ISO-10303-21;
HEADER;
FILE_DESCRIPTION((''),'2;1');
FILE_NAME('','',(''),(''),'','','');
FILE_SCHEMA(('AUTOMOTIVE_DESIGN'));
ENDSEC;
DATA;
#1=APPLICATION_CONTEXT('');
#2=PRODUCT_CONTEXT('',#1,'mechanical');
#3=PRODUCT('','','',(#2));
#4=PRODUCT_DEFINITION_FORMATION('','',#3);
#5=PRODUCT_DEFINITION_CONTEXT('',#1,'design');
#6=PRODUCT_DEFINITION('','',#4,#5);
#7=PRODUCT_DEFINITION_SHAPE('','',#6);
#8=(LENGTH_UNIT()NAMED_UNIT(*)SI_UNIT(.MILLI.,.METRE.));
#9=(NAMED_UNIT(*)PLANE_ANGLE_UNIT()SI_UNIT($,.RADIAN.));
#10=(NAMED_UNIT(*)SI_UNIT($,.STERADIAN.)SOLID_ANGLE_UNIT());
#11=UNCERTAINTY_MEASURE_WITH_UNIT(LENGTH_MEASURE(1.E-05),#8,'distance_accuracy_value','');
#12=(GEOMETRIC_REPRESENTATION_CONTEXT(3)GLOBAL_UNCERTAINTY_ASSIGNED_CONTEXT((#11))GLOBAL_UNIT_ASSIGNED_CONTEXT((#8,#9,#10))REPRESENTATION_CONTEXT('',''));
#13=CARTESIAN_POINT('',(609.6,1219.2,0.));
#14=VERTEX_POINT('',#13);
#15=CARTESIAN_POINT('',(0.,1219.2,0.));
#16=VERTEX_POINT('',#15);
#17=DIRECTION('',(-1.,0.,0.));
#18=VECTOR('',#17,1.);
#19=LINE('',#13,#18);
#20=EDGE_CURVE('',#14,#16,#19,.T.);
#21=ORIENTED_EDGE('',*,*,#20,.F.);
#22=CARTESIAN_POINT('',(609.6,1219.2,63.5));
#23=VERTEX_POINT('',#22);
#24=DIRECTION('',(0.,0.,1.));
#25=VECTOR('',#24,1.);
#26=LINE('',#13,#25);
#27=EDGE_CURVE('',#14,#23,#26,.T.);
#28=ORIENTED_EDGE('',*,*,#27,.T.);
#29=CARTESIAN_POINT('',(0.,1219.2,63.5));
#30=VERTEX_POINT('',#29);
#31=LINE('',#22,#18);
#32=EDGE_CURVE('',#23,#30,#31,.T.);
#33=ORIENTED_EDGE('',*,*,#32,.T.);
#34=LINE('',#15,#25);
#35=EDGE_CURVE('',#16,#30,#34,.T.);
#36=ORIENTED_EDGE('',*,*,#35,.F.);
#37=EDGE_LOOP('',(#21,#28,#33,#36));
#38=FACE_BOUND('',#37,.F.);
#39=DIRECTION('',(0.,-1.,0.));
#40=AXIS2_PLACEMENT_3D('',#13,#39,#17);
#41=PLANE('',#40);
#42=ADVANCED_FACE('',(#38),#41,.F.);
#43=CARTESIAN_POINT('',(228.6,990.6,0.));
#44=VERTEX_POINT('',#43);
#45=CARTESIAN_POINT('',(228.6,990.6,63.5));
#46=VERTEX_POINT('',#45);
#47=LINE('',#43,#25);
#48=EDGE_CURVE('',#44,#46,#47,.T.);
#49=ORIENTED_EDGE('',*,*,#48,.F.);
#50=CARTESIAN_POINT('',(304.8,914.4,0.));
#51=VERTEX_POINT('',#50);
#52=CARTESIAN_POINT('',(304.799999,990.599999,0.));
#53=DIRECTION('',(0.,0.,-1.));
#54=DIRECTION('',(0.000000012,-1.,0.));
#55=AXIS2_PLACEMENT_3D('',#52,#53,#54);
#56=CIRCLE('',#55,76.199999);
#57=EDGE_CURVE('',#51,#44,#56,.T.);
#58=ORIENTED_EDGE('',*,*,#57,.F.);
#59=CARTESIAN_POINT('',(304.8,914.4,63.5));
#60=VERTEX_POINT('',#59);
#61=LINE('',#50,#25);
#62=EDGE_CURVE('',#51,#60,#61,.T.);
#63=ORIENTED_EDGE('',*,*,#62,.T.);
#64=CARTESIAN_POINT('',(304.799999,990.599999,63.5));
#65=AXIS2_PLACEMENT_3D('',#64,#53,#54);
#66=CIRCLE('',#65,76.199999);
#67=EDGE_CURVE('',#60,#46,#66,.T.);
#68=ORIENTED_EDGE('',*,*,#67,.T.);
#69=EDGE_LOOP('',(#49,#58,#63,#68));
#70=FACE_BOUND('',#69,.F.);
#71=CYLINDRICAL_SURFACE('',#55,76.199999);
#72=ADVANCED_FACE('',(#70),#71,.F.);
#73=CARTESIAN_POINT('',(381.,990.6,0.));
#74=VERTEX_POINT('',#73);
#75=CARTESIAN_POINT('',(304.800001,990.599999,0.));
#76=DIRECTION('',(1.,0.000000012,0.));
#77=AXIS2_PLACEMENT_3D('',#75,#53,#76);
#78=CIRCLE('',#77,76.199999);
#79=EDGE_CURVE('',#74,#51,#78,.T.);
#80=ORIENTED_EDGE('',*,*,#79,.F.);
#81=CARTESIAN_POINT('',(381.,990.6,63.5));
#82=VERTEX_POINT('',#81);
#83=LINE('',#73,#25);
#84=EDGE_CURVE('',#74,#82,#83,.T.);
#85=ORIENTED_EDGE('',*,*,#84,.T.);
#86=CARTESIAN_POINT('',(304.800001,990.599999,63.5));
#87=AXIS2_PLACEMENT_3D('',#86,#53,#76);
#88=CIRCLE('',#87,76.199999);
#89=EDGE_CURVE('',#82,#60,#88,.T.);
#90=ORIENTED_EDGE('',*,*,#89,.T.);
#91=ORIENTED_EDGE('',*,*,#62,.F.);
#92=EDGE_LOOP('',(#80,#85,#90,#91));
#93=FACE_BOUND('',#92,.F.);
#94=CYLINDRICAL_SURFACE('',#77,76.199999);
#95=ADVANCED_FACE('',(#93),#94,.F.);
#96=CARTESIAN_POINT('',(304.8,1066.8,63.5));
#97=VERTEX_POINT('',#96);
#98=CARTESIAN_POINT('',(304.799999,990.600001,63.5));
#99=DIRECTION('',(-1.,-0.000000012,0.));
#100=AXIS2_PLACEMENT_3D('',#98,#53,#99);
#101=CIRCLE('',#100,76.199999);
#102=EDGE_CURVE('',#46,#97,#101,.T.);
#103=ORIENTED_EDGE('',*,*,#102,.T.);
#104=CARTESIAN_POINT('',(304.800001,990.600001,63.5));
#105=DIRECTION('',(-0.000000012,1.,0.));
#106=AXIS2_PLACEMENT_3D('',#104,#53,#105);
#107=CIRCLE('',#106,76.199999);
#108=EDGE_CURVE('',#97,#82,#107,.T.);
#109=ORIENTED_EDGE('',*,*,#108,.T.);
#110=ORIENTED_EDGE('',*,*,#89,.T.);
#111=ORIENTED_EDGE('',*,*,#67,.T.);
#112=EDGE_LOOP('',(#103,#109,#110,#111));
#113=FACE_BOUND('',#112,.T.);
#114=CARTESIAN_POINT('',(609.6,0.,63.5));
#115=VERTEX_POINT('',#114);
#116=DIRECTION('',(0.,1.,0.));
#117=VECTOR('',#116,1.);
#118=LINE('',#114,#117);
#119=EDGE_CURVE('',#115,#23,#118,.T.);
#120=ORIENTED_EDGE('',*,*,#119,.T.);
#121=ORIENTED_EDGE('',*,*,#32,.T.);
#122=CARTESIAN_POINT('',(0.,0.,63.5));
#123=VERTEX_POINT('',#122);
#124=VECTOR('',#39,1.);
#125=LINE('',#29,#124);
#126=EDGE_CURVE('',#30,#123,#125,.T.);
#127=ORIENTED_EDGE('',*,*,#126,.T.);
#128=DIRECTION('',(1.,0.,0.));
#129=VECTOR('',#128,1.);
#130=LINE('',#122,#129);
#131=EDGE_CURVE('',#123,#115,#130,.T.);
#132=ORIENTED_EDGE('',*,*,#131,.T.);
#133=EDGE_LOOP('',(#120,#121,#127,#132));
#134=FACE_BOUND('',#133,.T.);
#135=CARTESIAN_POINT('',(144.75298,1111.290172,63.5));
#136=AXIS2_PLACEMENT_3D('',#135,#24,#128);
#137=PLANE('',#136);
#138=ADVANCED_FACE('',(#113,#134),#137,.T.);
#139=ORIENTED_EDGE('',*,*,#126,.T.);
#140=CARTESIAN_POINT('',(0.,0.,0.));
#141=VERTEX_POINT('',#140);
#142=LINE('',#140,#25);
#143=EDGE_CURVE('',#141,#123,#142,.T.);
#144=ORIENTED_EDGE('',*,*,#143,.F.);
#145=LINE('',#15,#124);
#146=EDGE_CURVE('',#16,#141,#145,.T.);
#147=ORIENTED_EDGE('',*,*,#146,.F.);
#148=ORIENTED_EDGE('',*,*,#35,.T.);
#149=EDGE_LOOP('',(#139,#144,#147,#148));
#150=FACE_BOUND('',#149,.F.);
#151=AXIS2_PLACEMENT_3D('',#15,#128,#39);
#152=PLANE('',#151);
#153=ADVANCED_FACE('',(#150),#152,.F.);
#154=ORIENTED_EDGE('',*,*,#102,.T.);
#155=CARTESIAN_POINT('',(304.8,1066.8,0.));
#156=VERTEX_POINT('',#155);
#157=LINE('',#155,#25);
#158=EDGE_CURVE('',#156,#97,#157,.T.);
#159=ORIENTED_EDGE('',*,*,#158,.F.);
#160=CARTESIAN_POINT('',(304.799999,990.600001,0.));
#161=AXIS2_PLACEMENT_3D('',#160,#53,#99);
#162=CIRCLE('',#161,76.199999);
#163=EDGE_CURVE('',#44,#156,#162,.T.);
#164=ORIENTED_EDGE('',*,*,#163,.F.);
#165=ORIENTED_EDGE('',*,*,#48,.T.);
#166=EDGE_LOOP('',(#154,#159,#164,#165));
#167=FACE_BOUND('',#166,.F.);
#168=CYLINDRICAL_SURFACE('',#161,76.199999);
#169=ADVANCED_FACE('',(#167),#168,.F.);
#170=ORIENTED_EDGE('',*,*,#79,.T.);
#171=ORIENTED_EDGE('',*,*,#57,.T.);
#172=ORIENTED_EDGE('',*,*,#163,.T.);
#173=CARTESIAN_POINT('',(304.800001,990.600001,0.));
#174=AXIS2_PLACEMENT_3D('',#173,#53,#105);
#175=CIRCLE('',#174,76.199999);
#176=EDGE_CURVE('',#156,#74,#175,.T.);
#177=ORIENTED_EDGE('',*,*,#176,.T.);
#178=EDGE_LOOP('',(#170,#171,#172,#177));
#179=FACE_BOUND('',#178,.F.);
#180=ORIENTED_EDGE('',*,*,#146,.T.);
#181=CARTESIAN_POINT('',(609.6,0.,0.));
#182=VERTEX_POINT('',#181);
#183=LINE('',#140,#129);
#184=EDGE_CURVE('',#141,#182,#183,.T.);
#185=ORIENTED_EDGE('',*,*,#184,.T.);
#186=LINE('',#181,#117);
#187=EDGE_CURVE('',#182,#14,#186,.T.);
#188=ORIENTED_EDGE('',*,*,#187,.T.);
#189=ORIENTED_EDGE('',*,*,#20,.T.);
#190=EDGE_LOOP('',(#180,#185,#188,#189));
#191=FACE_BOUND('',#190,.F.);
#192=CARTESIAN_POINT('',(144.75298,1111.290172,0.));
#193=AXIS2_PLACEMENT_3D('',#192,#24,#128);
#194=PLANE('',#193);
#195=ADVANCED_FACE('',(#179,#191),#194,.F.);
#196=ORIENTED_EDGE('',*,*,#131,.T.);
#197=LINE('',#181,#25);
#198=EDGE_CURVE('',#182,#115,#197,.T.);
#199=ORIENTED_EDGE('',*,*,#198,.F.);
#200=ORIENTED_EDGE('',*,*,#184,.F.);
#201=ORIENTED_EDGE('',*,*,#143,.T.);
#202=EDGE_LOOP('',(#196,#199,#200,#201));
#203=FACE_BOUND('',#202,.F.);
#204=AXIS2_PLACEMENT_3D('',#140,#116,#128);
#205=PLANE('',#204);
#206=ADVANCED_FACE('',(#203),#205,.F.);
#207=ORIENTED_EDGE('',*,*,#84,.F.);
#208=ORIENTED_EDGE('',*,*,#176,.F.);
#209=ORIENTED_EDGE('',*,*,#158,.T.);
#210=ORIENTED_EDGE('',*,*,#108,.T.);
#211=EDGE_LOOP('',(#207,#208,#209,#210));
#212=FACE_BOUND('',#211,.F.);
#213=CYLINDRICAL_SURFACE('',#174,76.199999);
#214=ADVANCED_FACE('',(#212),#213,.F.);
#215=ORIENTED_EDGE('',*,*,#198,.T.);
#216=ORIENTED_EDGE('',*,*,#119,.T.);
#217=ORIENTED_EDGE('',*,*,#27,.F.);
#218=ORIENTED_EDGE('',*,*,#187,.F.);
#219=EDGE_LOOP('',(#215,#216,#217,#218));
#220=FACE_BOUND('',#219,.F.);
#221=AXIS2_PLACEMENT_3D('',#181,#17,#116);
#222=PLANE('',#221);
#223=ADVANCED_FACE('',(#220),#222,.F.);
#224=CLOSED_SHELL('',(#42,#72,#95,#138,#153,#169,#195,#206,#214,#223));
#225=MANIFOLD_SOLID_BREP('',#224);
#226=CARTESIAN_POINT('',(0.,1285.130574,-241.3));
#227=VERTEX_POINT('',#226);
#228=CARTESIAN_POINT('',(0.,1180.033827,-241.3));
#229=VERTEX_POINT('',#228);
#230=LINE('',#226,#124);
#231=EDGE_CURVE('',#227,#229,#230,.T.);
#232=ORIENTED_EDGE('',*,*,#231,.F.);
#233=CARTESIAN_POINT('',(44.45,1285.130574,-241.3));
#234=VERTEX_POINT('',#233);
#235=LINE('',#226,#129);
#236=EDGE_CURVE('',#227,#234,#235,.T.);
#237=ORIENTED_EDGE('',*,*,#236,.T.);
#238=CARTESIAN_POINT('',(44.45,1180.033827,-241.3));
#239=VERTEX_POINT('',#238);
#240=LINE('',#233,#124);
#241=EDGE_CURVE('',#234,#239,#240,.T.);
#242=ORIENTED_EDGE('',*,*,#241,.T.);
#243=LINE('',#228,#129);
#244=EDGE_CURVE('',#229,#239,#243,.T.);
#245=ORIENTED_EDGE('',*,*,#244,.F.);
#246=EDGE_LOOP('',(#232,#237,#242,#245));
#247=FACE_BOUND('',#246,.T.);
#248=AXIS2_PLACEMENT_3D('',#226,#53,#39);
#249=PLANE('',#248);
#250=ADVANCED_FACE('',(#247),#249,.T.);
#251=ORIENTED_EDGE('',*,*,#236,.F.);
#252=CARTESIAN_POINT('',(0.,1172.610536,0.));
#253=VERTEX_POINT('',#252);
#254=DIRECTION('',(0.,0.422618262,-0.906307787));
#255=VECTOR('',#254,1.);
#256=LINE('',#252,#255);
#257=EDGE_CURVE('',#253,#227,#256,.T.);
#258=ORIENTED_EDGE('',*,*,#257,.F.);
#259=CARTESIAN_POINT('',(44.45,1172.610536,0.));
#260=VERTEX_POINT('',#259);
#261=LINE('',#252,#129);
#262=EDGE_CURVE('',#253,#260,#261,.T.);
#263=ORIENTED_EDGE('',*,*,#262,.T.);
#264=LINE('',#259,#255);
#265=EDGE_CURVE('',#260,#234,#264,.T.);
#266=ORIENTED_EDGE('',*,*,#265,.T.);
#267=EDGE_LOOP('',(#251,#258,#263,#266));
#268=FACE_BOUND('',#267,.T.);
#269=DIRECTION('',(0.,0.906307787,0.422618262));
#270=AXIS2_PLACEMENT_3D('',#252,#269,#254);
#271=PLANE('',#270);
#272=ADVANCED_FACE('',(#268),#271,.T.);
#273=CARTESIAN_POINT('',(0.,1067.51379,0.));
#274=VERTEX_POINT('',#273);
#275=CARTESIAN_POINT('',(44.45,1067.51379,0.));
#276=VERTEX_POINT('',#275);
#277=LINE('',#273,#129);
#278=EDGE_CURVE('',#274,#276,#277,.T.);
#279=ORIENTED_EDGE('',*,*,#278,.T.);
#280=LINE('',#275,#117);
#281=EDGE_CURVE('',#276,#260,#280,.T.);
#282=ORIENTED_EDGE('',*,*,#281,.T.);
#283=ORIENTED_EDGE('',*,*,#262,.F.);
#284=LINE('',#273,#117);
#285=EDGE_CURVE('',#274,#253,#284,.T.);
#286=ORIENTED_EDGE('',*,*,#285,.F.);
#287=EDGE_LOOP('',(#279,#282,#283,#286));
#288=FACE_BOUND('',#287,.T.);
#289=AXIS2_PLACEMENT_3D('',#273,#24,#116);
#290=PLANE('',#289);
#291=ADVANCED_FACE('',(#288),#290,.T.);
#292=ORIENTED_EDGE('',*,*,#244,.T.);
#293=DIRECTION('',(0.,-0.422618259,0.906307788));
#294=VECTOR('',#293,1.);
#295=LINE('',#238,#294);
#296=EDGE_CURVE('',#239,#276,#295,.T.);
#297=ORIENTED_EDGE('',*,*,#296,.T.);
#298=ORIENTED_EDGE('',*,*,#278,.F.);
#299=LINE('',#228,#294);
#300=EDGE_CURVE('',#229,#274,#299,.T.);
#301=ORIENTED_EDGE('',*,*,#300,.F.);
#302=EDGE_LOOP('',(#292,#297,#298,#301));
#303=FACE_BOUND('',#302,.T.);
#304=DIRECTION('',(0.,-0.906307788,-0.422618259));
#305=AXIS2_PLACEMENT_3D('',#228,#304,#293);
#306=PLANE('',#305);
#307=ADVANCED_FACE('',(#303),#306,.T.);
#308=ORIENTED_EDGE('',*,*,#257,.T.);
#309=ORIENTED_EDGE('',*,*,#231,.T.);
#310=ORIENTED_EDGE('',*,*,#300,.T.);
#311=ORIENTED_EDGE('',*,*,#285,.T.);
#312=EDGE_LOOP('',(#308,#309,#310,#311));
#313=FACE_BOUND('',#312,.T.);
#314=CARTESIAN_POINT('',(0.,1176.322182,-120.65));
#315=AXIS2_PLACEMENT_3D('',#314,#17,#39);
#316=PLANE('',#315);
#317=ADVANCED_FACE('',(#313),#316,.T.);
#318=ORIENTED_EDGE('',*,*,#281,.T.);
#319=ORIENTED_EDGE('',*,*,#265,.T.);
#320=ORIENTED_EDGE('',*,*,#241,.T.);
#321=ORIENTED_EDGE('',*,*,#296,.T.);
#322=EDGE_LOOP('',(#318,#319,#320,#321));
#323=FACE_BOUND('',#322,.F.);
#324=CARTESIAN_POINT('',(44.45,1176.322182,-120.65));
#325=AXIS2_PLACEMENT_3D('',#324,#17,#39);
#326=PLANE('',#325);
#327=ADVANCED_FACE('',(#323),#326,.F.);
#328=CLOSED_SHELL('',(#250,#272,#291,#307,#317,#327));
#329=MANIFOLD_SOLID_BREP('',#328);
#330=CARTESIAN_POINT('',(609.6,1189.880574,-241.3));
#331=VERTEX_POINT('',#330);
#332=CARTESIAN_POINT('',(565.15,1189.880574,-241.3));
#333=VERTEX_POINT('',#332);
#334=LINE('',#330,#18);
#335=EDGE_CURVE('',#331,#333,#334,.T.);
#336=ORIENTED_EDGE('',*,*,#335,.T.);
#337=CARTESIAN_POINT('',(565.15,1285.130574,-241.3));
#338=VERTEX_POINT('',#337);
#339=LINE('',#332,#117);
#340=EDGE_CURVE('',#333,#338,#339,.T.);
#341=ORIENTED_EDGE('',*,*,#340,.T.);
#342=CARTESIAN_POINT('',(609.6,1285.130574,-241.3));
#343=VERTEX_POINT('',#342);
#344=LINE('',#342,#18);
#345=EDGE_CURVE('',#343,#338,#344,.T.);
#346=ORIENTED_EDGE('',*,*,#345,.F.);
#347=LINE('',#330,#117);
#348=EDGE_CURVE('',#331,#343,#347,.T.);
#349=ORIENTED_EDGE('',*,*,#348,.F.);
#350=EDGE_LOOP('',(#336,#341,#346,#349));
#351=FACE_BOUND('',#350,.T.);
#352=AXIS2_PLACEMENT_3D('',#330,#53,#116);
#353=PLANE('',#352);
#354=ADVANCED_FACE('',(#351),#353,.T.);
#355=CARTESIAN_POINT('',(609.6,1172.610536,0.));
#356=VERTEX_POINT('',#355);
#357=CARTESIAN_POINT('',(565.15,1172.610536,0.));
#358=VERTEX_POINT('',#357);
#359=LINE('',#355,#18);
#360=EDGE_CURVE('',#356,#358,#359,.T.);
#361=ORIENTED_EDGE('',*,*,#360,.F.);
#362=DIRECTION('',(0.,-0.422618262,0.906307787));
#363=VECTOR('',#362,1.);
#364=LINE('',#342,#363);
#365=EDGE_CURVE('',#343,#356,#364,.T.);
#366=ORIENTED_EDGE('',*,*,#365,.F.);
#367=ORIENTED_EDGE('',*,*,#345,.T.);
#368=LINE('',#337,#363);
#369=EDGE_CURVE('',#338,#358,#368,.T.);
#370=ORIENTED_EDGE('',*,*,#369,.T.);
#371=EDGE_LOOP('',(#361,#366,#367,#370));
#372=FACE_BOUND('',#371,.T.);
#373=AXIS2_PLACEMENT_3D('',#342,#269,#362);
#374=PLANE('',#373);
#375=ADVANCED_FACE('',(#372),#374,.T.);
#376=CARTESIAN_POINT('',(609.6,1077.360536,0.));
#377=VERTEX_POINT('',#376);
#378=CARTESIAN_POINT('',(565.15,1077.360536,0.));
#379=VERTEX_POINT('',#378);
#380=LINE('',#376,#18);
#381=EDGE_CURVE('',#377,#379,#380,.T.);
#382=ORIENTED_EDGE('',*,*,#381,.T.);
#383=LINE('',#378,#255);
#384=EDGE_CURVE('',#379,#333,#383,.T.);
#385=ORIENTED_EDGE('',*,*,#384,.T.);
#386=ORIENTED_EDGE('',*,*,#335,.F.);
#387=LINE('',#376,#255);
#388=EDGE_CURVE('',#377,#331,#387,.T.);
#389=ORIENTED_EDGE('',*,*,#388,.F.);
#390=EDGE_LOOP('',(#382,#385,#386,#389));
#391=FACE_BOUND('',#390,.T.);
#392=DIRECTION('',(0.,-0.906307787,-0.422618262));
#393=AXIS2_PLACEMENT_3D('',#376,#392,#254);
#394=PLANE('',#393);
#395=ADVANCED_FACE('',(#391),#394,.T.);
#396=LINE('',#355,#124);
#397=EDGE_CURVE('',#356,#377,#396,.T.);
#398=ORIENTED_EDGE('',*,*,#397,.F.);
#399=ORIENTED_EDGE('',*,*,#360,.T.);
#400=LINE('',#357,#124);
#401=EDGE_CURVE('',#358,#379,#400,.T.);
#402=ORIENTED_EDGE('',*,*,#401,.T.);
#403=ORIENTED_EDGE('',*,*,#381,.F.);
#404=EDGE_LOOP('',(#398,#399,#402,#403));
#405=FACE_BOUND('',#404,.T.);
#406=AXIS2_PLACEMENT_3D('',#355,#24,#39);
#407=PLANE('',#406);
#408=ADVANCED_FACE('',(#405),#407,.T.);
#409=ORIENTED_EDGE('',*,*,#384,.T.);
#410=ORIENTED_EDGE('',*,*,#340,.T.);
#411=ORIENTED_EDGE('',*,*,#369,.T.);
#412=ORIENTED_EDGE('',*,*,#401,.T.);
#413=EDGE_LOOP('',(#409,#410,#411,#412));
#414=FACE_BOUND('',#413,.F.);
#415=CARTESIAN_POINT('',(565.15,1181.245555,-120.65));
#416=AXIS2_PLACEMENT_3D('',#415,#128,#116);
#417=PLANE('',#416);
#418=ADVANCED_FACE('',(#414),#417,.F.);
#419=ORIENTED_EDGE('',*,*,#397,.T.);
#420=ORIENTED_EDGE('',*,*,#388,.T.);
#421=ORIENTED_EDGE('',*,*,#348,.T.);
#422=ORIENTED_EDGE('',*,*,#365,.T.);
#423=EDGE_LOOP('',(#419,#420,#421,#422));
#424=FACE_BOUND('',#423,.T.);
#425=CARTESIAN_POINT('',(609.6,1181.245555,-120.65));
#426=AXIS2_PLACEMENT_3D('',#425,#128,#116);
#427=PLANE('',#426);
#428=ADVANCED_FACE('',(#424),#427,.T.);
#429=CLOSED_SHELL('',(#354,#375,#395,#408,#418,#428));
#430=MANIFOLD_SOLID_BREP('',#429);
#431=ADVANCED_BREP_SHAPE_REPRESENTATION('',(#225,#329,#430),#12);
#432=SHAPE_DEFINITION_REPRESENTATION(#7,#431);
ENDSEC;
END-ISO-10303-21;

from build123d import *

# Parameters (mm, degrees)
F1_DEPTH = 63.5
F3_DEPTH = 44.45
F5_DEPTH = 44.45


with BuildPart() as f1:
    # F0 (on Top) → F1 (new body)
    with BuildSketch(Plane.XY):
        with BuildLine():
            Line((0, 1219.2), (0, 990.6))
            Line((0, 990.6), (228.6, 990.6))
            ThreePointArc((228.6, 990.6), (250.918463, 1044.481537), (304.8, 1066.8))
            Line((304.8, 1066.8), (304.8, 1219.2))
            Line((304.8, 1219.2), (0, 1219.2))
        make_face()
        with BuildLine():
            Line((381, 990.6), (609.6, 990.6))
            Line((609.6, 990.6), (609.6, 1219.2))
            Line((609.6, 1219.2), (304.8, 1219.2))
            Line((304.8, 1219.2), (304.8, 1066.8))
            ThreePointArc((304.8, 1066.8), (358.681537, 1044.481537), (381, 990.6))
        make_face()
        with BuildLine():
            Line((304.8, 914.4), (304.8, 0))
            Line((304.8, 0), (609.6, 0))
            Line((609.6, 0), (609.6, 990.6))
            Line((609.6, 990.6), (381, 990.6))
            ThreePointArc((381, 990.6), (358.681537, 936.718463), (304.8, 914.4))
        make_face()
        with BuildLine():
            Line((0, 990.6), (0, 0))
            Line((0, 0), (304.8, 0))
            Line((304.8, 0), (304.8, 914.4))
            ThreePointArc((304.8, 914.4), (250.918463, 936.718463), (228.6, 990.6))
            Line((228.6, 990.6), (0, 990.6))
        make_face()
    extrude(amount=F1_DEPTH)


with BuildPart() as f3:
    # F2 (on face) → F3 (new body)
    with BuildSketch(Plane(origin=(0, 0, 0), x_dir=(0, -1, 0), z_dir=(-1, 0, 0))):
        Polygon((-1067.51379, 0), (-1172.610536, 0), (-1285.130574, -241.3), (-1180.033827, -241.3), align=None)
    extrude(amount=-F3_DEPTH)


with BuildPart() as f5:
    # F4 (on face) → F5 (new body)
    with BuildSketch(Plane.YZ.offset(609.6)):
        Polygon((1172.610536, 0), (1077.360536, 0), (1189.880574, -241.3), (1285.130574, -241.3), align=None)
    extrude(amount=-F5_DEPTH)


solid = Compound([f1.part, f3.part, f5.part])
